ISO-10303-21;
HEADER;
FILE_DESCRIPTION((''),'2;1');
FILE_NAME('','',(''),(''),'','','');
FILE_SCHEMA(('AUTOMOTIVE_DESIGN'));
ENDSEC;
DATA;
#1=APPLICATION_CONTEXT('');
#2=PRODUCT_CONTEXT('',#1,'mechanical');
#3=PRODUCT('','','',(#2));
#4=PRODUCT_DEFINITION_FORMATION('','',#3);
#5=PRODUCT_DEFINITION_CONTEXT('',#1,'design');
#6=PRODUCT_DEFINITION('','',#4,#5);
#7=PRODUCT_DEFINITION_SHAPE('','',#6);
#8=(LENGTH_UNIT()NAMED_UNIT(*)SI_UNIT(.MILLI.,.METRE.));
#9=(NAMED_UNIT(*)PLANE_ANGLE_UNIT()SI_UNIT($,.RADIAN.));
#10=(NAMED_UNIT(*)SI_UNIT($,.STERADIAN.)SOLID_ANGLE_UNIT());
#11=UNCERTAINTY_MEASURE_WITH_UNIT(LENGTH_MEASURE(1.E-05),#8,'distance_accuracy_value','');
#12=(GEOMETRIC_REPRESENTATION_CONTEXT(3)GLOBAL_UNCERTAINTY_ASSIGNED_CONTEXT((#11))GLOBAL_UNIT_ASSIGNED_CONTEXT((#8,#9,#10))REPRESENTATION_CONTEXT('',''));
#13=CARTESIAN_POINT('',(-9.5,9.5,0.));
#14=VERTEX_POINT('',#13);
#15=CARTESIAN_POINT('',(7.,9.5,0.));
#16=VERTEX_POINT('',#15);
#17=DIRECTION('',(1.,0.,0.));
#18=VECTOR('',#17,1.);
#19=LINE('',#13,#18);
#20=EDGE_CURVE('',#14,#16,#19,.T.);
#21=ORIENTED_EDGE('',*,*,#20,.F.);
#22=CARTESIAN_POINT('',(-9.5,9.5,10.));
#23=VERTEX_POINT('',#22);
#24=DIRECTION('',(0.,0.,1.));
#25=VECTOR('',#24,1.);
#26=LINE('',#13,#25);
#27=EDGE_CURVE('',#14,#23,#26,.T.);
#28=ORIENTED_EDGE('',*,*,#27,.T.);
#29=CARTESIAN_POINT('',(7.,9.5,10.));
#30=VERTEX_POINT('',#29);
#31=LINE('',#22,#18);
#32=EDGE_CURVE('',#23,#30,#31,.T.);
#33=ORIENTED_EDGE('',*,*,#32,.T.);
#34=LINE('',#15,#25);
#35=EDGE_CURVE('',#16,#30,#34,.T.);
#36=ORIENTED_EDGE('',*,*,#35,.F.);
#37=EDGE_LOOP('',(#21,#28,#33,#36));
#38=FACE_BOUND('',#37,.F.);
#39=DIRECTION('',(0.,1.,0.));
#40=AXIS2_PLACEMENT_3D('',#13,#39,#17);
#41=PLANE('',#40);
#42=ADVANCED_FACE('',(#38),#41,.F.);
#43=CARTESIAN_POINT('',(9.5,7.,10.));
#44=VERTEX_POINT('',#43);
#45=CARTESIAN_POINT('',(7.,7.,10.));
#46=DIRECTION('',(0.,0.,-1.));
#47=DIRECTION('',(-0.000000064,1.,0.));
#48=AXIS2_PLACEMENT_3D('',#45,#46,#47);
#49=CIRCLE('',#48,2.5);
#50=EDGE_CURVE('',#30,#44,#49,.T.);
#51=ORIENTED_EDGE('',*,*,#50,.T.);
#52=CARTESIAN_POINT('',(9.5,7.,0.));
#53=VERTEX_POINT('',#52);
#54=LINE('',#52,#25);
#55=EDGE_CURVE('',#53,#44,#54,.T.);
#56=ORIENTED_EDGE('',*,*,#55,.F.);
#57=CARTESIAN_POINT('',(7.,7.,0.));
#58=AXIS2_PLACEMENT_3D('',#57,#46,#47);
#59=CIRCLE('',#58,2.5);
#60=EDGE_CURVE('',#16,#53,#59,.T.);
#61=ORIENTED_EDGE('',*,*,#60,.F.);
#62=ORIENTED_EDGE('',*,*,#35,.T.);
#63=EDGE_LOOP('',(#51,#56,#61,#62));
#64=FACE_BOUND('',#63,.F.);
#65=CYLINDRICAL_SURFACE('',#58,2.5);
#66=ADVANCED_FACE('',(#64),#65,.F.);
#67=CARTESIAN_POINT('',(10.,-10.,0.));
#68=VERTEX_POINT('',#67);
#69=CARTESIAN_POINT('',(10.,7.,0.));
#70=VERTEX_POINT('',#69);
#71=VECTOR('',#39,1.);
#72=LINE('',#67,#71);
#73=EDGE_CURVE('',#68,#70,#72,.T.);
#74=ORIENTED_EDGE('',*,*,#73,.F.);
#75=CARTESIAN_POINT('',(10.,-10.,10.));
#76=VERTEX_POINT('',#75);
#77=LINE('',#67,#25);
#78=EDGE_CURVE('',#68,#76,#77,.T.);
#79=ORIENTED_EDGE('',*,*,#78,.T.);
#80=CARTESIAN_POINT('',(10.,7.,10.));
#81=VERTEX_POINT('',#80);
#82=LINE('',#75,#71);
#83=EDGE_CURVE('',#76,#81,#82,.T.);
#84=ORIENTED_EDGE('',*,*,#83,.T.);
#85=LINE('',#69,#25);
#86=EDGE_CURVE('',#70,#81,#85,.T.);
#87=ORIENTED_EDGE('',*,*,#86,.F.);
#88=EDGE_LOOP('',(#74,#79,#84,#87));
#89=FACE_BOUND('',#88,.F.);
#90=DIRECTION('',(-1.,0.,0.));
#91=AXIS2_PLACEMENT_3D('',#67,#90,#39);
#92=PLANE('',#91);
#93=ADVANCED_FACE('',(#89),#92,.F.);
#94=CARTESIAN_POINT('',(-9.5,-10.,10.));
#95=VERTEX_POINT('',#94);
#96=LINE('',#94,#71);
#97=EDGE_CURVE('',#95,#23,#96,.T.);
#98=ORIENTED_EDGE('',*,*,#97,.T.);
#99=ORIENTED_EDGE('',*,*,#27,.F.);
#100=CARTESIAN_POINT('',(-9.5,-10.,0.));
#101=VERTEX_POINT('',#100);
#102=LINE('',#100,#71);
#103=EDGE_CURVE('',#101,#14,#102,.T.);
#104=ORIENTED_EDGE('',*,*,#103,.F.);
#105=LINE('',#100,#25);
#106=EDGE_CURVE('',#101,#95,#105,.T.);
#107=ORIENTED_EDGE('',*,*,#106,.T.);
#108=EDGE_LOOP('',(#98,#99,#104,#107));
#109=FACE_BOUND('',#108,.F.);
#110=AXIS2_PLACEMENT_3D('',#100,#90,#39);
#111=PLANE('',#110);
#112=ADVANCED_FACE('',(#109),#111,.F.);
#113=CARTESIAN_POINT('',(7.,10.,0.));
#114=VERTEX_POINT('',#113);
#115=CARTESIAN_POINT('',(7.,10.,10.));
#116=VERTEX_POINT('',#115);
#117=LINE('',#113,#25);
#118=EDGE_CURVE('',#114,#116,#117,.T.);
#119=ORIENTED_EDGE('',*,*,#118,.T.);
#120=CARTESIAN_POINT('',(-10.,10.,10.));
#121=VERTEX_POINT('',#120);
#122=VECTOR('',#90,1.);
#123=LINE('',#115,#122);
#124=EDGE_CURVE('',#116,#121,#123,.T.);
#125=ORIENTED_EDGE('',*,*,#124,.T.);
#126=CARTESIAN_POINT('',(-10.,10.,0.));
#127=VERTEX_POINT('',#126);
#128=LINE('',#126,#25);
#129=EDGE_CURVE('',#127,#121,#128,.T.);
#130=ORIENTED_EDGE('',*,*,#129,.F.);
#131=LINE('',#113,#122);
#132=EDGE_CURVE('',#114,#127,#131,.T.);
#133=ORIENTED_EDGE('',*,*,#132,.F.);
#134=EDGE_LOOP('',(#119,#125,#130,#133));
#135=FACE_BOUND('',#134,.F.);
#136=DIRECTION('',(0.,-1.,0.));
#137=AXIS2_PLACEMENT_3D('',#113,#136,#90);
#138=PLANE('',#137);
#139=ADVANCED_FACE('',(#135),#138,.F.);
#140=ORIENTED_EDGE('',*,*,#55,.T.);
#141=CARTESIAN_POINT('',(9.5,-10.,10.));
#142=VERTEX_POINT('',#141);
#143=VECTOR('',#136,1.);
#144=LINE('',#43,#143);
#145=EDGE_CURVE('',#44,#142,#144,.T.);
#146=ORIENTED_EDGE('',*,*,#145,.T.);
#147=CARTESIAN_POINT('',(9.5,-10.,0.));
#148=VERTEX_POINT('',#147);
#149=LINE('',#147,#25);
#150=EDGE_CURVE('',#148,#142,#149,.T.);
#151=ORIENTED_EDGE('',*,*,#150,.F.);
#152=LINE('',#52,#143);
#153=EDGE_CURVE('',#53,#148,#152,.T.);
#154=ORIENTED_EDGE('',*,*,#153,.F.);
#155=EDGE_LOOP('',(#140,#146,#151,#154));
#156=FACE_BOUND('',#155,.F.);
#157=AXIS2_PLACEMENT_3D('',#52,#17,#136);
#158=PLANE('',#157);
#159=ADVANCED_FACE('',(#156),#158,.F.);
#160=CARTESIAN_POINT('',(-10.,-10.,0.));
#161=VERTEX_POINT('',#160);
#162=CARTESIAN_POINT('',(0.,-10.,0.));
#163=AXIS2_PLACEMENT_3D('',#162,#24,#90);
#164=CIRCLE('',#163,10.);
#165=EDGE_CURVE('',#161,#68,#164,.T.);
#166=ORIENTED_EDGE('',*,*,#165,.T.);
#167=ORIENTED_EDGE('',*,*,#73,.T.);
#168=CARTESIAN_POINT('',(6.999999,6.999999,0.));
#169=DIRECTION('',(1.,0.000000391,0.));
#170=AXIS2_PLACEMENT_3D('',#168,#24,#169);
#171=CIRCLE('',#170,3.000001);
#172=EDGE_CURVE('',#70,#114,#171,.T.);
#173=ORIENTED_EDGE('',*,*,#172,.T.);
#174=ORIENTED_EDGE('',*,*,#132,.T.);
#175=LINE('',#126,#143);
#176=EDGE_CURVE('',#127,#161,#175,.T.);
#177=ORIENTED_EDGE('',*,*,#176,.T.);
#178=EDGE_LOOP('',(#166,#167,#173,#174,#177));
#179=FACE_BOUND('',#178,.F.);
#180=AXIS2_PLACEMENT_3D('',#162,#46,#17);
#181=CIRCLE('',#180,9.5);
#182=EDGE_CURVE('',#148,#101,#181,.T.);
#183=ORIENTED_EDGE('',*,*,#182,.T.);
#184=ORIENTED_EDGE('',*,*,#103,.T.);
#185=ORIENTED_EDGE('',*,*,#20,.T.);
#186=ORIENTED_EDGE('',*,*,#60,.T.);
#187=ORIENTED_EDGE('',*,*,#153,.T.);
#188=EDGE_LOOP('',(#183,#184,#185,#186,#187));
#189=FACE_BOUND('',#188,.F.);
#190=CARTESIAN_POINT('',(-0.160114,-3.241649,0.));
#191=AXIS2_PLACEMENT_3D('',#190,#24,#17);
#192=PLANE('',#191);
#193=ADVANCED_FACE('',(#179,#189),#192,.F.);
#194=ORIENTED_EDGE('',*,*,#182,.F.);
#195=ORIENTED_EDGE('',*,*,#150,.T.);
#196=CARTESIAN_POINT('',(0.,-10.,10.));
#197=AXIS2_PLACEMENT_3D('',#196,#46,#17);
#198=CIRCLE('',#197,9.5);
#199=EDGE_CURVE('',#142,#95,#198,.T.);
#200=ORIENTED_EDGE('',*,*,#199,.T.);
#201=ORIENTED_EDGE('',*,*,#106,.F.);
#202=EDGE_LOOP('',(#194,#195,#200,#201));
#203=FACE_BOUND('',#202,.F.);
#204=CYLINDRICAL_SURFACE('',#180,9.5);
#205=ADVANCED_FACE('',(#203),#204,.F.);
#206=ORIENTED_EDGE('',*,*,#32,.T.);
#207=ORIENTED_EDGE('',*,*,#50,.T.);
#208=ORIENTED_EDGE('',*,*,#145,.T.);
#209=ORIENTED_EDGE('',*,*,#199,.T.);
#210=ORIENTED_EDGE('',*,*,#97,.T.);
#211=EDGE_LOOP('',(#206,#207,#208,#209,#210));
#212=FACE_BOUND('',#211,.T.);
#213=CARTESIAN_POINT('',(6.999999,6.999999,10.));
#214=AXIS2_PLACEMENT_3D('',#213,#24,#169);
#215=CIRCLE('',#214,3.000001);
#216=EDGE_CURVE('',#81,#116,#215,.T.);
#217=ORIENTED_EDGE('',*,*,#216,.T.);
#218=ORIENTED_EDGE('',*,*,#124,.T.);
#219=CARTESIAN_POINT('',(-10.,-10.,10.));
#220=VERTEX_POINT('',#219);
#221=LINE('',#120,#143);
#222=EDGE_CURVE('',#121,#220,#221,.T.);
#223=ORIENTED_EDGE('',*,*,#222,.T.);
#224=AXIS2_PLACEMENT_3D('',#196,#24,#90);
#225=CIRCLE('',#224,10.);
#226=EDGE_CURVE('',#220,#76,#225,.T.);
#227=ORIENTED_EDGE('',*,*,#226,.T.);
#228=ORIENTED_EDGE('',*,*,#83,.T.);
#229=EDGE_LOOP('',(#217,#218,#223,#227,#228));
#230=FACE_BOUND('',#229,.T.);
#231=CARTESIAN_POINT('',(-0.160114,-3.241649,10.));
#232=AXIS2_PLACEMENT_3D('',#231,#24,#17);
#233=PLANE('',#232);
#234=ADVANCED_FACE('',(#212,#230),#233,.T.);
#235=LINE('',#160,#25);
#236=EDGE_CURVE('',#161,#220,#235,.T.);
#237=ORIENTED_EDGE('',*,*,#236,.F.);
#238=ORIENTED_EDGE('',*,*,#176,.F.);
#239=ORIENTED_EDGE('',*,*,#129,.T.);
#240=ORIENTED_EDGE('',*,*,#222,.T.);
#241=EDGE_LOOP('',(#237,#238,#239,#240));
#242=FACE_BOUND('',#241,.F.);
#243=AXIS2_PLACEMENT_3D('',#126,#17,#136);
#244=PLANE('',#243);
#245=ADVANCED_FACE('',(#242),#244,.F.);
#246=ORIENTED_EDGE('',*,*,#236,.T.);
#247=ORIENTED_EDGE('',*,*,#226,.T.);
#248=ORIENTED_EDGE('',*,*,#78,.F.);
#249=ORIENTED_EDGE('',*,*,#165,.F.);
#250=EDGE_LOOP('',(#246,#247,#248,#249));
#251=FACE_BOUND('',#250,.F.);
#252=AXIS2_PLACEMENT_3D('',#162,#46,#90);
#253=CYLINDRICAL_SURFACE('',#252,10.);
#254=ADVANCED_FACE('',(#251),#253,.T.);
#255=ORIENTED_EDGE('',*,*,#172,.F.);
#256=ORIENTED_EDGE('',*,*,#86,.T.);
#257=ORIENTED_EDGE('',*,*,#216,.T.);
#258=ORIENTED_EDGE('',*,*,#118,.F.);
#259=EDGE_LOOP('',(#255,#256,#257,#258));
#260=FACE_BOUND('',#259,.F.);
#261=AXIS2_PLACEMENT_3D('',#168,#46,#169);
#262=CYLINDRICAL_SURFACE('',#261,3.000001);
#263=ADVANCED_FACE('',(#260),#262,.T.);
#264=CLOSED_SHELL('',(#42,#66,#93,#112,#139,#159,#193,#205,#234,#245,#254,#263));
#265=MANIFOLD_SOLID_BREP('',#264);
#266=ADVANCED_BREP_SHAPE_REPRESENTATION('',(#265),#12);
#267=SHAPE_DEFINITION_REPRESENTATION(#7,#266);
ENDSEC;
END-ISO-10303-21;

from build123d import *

# Parameters (mm, degrees)
F1_DEPTH = 10


with BuildPart() as f1:
    # F0 (on Top) → F1 (new body)
    with BuildSketch(Plane.XY):
        with BuildLine():
            Line((7, 10), (-10, 10))
            Line((-10, 10), (-10, -10))
            ThreePointArc((-10, -10), (0, -20), (10, -10))
            Line((10, -10), (10, 7))
            ThreePointArc((10, 7), (9.12132, 9.12132), (7, 10))
        make_face()
        with BuildLine():
            ThreePointArc((7, 9.5), (8.767767, 8.767767), (9.5, 7))
            Line((9.5, 7), (9.5, -10))
            ThreePointArc((9.5, -10), (0, -19.5), (-9.5, -10))
            Line((-9.5, -10), (-9.5, 9.5))
            Line((-9.5, 9.5), (7, 9.5))
        make_face(mode=Mode.SUBTRACT)
    extrude(amount=F1_DEPTH)


solid = f1.part
